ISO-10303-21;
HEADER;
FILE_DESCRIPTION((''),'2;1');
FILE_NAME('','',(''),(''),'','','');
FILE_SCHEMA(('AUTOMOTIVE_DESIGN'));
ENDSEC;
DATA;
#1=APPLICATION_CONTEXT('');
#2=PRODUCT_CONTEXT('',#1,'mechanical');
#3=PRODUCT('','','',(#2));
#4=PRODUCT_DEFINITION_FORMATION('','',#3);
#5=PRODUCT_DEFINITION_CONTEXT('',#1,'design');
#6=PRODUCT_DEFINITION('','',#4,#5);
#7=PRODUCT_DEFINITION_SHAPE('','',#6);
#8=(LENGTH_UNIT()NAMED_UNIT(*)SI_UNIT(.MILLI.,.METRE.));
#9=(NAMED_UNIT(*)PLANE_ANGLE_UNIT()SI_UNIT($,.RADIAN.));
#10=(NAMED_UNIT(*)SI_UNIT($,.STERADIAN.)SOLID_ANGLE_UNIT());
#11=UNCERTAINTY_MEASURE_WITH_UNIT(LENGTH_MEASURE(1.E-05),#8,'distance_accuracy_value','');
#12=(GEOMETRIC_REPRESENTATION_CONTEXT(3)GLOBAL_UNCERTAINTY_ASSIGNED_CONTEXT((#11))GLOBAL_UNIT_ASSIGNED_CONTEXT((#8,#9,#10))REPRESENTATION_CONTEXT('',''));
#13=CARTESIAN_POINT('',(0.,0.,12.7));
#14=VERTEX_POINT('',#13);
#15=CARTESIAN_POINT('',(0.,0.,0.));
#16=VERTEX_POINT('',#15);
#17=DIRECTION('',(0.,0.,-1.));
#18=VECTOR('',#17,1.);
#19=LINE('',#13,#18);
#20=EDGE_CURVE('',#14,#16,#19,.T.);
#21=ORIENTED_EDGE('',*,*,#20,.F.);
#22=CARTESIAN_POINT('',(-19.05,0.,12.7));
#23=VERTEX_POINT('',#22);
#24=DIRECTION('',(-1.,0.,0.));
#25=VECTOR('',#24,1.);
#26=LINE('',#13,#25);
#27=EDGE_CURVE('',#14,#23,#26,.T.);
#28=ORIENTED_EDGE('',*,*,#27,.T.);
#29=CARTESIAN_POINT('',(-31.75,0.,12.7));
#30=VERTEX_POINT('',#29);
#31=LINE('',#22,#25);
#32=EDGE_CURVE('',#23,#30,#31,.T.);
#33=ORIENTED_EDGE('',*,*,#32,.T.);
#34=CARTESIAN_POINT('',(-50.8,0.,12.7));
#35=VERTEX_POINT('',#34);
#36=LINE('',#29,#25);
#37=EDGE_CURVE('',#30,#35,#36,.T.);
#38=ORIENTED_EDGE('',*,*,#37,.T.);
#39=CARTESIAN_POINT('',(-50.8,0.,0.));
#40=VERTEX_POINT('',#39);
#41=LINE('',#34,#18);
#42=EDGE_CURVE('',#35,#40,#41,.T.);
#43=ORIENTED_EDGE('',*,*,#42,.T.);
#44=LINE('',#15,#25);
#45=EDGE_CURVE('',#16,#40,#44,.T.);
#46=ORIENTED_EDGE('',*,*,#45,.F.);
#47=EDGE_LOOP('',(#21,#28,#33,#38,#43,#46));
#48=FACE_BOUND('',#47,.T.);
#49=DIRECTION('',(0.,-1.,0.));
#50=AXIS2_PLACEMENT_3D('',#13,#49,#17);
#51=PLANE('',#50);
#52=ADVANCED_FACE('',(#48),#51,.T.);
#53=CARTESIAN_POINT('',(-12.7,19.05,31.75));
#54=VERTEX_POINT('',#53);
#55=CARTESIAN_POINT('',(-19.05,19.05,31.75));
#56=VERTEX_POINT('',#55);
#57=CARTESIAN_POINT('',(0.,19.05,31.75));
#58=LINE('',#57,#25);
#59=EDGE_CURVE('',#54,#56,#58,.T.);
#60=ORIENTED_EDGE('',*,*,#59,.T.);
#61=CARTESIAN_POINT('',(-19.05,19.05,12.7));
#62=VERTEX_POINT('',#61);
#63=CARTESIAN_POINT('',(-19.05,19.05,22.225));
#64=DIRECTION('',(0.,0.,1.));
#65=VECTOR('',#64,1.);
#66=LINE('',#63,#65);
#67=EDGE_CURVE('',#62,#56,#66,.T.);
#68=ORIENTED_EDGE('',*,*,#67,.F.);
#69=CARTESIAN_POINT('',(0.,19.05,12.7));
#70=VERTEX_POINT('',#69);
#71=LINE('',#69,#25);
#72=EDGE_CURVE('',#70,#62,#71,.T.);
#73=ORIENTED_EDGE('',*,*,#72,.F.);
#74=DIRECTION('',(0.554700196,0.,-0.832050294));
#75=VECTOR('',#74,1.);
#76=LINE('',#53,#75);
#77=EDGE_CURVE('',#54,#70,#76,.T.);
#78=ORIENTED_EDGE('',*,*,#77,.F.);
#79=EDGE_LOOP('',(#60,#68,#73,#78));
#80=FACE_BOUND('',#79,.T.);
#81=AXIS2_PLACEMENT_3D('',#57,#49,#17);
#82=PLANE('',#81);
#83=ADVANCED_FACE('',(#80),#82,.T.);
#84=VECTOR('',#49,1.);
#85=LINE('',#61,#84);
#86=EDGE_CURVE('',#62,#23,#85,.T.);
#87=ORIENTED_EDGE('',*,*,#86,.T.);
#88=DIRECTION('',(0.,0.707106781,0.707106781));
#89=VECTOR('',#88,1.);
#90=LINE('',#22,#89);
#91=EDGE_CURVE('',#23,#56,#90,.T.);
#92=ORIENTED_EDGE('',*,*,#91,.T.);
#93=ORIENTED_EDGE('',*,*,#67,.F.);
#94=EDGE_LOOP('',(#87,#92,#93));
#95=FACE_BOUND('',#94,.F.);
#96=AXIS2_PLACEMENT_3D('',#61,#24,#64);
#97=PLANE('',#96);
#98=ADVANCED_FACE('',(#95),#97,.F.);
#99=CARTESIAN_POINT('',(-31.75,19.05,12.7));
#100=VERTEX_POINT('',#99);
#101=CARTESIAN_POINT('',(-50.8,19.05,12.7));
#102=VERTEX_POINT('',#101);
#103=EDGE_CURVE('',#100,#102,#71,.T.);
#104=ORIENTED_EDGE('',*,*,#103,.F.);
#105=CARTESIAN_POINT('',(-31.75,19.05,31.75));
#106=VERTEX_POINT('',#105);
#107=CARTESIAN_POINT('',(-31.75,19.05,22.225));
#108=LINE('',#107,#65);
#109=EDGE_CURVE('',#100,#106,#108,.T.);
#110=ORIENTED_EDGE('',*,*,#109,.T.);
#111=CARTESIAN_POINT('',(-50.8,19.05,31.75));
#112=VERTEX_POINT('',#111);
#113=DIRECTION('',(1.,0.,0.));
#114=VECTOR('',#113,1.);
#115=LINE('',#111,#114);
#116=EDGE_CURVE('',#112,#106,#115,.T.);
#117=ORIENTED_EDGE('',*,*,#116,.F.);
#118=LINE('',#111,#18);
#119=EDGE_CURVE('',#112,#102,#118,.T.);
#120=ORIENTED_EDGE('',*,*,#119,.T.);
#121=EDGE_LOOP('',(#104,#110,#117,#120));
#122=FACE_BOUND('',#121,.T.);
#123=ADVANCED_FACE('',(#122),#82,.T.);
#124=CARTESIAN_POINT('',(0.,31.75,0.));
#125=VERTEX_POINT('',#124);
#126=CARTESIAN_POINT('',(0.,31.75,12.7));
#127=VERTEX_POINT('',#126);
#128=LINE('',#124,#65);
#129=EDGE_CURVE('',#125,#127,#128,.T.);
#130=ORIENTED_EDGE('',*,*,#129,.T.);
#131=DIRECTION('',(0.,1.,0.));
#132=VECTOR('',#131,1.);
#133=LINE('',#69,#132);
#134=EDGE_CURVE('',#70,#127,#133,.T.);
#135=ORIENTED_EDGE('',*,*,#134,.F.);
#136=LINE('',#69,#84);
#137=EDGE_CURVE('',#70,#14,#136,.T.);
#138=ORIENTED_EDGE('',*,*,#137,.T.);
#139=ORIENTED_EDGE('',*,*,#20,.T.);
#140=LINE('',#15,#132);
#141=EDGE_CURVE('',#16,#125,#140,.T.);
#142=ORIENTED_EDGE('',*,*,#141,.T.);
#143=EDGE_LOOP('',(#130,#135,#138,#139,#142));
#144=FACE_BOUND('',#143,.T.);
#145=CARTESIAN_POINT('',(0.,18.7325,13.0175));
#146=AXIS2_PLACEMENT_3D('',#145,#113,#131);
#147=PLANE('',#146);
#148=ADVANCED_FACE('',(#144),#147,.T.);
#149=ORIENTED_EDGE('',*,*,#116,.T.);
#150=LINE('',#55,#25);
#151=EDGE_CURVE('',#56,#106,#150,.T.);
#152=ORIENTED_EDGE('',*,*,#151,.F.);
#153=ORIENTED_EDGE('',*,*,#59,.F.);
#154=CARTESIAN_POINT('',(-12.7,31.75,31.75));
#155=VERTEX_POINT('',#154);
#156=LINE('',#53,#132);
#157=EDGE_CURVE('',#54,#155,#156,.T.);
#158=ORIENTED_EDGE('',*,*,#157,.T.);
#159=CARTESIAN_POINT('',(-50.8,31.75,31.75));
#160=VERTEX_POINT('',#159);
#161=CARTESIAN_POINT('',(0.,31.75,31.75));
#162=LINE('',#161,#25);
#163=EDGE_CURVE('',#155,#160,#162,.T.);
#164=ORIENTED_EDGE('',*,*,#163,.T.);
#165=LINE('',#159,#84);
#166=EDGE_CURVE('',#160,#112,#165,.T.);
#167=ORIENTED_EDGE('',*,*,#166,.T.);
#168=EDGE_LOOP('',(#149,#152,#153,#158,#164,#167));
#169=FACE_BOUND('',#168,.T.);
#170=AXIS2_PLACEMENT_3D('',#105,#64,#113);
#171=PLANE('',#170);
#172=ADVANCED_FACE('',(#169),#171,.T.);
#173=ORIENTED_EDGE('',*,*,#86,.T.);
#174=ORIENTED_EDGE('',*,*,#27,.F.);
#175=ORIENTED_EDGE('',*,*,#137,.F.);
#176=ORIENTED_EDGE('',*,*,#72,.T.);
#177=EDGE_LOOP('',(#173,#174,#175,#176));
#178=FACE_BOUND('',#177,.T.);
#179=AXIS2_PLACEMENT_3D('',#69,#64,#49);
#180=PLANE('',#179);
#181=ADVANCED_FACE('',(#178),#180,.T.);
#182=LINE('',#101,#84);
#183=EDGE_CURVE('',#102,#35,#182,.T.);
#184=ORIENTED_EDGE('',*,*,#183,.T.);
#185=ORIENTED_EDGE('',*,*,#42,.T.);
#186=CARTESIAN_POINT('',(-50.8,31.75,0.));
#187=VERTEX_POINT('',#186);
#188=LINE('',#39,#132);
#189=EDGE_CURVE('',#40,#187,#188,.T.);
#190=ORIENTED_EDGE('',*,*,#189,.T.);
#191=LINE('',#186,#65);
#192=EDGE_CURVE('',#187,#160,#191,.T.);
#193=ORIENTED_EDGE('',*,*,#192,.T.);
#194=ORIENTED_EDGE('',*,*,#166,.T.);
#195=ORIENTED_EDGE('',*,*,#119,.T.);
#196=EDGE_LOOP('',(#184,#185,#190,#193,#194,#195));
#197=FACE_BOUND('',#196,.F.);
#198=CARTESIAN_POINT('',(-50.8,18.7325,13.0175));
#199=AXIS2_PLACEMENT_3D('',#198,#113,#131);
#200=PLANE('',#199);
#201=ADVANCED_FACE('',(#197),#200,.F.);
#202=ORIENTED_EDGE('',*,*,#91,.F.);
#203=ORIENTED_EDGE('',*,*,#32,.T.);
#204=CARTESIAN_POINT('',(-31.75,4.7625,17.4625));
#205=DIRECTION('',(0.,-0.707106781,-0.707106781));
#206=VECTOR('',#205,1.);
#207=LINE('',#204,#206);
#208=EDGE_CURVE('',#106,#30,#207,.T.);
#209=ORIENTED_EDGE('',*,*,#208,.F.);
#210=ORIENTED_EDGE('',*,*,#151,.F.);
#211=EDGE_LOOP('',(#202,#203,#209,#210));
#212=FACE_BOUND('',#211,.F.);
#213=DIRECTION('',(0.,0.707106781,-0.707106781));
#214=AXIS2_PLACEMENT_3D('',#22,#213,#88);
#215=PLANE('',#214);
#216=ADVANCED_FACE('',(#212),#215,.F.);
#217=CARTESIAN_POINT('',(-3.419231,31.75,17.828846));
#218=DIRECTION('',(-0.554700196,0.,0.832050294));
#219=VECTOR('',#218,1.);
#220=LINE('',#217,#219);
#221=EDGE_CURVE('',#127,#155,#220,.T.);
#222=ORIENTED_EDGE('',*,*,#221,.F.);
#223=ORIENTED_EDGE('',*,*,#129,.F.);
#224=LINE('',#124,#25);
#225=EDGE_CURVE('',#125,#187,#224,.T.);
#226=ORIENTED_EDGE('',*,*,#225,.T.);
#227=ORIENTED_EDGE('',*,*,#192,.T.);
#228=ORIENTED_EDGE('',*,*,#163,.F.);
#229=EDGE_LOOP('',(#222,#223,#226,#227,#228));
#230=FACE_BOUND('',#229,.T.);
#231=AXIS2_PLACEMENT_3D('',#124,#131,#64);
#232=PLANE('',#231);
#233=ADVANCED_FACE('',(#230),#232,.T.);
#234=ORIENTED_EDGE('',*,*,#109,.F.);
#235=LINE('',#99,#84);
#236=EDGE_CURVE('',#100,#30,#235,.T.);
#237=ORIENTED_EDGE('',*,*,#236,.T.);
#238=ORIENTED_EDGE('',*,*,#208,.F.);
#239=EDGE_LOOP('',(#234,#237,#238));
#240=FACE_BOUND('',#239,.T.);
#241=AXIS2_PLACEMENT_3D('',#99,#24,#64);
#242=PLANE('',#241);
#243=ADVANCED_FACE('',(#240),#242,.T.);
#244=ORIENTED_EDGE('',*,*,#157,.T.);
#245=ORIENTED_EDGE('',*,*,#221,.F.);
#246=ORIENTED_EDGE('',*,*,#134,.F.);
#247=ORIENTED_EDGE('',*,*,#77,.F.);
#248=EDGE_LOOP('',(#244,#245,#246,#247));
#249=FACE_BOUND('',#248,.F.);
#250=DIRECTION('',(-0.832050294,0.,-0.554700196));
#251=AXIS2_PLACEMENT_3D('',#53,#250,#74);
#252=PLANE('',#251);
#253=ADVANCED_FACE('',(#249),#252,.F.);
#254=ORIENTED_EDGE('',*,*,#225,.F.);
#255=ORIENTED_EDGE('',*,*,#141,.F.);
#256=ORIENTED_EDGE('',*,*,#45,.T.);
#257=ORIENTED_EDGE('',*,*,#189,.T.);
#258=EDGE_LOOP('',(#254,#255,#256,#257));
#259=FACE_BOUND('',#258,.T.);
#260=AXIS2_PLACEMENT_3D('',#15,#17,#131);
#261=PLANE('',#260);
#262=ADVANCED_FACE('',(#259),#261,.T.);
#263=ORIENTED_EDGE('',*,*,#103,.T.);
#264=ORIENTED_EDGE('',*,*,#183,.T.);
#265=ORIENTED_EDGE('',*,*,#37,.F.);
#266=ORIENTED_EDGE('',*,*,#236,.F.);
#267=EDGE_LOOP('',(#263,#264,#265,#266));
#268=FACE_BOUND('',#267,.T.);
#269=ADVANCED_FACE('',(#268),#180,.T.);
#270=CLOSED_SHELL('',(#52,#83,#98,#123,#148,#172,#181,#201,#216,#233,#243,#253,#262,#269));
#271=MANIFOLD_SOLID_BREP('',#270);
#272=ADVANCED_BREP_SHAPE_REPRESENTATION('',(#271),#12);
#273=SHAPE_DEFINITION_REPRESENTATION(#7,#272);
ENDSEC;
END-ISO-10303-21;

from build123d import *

# Parameters (mm, degrees)
F1_DEPTH = 50.8
F3_DEPTH = 25.4
F4_W     = 12.7
F4_H     = 19.05
F5_DEPTH = 19.05
F7_DEPTH = 25.4


with BuildPart() as f1:
    # F0 (on Right) → F1 (new body)
    with BuildSketch(Plane.YZ):
        Polygon((0, 12.7), (0, 0), (31.75, 0), (31.75, 31.75), (19.05, 31.75), (19.05, 12.7), align=None)
    extrude(amount=-F1_DEPTH)

    # F2 (on face) → F3 (cut)
    with BuildSketch(Plane.XZ.offset(-19.05)):
        Polygon((0, 31.75), (-12.7, 31.75), (0, 12.7), align=None)
    extrude(amount=-F3_DEPTH, mode=Mode.SUBTRACT)

    # F4 (on face) → F5 (join)
    with BuildSketch(Plane.XZ.offset(-19.05)):
        with Locations((-25.4, 22.225)):
            Rectangle(F4_W, F4_H)
    extrude(amount=F5_DEPTH)

    # F6 (on face) → F7 (cut)
    with BuildSketch(Plane.YZ.offset(-19.05)):
        Polygon((0, 12.7), (19.05, 31.75), (0, 31.75), align=None)
    extrude(amount=-F7_DEPTH, mode=Mode.SUBTRACT)


solid = f1.part
